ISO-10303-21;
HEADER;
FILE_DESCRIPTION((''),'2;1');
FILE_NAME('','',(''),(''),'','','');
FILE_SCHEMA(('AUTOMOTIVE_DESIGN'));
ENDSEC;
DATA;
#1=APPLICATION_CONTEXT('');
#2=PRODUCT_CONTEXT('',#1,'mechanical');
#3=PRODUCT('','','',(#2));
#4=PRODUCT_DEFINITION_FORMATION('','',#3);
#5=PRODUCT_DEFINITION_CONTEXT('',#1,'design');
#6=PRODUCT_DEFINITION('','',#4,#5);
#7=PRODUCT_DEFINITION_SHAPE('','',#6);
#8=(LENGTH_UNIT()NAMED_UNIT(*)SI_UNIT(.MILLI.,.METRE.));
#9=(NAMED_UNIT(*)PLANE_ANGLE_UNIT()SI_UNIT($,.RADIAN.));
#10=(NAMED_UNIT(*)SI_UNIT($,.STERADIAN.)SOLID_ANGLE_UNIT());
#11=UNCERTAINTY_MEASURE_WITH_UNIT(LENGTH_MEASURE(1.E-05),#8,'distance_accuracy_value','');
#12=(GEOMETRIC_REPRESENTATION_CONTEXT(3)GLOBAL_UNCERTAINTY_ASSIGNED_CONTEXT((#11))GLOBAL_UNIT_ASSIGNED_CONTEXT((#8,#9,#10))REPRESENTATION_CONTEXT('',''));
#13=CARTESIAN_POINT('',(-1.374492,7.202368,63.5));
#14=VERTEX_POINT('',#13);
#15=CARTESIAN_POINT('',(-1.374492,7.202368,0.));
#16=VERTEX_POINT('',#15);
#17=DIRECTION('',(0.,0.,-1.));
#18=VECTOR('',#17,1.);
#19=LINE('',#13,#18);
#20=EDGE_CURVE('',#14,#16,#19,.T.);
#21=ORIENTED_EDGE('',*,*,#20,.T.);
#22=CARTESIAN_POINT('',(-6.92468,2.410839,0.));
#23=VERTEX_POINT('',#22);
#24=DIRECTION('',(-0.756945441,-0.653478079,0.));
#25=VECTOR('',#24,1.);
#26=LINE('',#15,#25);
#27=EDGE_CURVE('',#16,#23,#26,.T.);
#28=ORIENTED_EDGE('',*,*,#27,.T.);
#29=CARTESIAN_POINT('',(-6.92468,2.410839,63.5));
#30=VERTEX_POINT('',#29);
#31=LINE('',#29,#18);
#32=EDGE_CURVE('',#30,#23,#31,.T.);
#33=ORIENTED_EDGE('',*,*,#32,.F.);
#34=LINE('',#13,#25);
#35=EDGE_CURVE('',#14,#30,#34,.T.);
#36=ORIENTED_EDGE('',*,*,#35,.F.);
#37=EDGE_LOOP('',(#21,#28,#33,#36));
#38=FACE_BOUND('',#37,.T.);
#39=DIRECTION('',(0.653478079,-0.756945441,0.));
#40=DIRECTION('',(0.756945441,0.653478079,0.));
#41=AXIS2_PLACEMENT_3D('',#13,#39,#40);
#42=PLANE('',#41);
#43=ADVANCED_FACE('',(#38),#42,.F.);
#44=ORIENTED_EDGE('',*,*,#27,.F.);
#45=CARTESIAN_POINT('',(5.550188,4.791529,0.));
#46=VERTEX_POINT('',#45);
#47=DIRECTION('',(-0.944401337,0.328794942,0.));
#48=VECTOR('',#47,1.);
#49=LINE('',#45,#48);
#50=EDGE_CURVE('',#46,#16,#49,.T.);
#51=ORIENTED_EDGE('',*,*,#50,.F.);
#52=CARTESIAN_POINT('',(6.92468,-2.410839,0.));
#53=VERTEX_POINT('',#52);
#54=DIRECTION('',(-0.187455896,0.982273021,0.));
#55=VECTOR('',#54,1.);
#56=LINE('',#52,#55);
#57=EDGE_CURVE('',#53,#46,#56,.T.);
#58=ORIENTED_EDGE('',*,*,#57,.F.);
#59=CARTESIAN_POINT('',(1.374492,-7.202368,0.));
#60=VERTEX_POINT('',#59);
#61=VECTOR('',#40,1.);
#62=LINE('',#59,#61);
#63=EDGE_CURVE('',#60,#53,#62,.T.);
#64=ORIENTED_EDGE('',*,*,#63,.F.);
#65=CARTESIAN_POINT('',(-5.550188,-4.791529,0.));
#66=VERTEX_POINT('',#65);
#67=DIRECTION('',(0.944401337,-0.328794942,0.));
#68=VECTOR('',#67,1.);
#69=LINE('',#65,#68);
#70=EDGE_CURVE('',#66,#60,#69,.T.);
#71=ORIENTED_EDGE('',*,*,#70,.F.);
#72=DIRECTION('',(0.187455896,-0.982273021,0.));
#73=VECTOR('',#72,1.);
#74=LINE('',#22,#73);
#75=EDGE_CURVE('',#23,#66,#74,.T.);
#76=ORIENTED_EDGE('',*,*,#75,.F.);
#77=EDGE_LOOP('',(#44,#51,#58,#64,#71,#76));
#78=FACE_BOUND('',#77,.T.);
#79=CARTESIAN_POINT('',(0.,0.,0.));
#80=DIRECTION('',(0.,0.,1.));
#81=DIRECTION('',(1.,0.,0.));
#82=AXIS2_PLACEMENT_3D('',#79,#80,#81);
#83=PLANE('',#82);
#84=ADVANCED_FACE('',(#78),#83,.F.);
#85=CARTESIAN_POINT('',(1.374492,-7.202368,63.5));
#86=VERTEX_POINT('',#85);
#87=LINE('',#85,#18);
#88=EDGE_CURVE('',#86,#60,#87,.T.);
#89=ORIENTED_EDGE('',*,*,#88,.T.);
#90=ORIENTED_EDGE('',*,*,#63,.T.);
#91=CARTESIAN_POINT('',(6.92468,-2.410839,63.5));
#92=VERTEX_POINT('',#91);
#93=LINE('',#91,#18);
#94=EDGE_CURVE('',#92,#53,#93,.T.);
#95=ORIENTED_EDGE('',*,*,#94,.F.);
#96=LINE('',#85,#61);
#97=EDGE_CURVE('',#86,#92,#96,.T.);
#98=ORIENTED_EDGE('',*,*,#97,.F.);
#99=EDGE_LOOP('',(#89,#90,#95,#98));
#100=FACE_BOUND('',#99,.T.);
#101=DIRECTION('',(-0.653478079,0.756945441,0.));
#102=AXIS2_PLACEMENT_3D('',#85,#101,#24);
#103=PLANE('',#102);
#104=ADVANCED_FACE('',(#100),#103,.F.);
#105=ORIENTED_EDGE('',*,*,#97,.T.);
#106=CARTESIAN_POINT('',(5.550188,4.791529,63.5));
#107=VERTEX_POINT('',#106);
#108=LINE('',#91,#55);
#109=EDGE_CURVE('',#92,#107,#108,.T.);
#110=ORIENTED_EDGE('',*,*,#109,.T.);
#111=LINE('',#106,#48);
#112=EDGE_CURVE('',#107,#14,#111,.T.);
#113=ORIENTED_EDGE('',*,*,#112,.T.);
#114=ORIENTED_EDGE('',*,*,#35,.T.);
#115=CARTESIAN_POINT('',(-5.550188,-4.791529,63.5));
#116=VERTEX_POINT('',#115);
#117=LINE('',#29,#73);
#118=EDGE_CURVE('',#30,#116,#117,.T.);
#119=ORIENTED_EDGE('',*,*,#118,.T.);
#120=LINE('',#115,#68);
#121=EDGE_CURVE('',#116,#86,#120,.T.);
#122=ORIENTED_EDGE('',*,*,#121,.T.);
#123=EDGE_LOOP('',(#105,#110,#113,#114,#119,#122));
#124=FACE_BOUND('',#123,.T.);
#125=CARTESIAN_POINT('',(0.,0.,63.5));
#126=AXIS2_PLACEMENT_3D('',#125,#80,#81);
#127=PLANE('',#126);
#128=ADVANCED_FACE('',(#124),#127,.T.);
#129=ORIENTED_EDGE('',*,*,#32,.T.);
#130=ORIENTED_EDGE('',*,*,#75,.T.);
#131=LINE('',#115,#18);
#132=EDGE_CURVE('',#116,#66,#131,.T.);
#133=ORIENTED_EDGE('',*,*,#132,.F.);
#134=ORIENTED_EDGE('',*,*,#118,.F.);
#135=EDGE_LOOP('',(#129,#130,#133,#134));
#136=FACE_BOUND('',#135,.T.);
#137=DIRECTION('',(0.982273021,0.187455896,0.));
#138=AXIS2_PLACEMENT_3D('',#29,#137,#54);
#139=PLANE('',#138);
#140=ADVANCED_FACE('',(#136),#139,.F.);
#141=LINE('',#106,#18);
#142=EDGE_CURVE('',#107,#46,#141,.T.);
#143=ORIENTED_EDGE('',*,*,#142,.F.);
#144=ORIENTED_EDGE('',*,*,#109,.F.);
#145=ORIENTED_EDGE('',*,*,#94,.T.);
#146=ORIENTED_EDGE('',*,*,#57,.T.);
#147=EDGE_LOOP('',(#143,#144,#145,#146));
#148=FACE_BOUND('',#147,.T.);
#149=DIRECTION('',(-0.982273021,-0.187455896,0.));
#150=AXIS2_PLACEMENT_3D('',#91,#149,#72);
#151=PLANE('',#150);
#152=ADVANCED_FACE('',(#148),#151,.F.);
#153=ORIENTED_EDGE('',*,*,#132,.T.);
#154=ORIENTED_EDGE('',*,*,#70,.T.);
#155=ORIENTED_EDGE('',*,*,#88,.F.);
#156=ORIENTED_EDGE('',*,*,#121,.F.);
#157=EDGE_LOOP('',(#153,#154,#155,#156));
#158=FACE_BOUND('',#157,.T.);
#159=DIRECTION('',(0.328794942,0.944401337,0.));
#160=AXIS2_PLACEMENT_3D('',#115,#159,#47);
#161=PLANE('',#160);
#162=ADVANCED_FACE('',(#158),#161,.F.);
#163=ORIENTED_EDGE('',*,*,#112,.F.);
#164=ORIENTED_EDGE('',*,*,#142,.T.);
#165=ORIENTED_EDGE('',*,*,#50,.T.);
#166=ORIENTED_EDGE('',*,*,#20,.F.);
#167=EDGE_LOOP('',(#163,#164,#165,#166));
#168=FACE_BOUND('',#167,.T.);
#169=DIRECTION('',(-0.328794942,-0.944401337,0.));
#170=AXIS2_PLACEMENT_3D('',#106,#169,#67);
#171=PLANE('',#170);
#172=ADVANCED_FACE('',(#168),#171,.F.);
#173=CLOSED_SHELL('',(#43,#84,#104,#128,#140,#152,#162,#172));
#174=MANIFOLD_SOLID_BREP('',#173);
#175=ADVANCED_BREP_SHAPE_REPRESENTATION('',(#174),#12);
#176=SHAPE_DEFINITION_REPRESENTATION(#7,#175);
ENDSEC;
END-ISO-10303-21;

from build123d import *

# Parameters (mm, degrees)
BOSS_EXTRUDE1_DEPTH = 63.5


with BuildPart() as part:
    # Sketch1 → Boss-Extrude1 (new body)
    with BuildSketch(Plane.XY):
        Polygon((5.550187708, 4.791528956), (-1.374491945, 7.202368029), (-6.924679653, 2.410839073), (-5.550187708, -4.791528956), (1.374491945, -7.202368029), (6.924679653, -2.410839073), align=None)
    extrude(amount=BOSS_EXTRUDE1_DEPTH)


solid = part.part
